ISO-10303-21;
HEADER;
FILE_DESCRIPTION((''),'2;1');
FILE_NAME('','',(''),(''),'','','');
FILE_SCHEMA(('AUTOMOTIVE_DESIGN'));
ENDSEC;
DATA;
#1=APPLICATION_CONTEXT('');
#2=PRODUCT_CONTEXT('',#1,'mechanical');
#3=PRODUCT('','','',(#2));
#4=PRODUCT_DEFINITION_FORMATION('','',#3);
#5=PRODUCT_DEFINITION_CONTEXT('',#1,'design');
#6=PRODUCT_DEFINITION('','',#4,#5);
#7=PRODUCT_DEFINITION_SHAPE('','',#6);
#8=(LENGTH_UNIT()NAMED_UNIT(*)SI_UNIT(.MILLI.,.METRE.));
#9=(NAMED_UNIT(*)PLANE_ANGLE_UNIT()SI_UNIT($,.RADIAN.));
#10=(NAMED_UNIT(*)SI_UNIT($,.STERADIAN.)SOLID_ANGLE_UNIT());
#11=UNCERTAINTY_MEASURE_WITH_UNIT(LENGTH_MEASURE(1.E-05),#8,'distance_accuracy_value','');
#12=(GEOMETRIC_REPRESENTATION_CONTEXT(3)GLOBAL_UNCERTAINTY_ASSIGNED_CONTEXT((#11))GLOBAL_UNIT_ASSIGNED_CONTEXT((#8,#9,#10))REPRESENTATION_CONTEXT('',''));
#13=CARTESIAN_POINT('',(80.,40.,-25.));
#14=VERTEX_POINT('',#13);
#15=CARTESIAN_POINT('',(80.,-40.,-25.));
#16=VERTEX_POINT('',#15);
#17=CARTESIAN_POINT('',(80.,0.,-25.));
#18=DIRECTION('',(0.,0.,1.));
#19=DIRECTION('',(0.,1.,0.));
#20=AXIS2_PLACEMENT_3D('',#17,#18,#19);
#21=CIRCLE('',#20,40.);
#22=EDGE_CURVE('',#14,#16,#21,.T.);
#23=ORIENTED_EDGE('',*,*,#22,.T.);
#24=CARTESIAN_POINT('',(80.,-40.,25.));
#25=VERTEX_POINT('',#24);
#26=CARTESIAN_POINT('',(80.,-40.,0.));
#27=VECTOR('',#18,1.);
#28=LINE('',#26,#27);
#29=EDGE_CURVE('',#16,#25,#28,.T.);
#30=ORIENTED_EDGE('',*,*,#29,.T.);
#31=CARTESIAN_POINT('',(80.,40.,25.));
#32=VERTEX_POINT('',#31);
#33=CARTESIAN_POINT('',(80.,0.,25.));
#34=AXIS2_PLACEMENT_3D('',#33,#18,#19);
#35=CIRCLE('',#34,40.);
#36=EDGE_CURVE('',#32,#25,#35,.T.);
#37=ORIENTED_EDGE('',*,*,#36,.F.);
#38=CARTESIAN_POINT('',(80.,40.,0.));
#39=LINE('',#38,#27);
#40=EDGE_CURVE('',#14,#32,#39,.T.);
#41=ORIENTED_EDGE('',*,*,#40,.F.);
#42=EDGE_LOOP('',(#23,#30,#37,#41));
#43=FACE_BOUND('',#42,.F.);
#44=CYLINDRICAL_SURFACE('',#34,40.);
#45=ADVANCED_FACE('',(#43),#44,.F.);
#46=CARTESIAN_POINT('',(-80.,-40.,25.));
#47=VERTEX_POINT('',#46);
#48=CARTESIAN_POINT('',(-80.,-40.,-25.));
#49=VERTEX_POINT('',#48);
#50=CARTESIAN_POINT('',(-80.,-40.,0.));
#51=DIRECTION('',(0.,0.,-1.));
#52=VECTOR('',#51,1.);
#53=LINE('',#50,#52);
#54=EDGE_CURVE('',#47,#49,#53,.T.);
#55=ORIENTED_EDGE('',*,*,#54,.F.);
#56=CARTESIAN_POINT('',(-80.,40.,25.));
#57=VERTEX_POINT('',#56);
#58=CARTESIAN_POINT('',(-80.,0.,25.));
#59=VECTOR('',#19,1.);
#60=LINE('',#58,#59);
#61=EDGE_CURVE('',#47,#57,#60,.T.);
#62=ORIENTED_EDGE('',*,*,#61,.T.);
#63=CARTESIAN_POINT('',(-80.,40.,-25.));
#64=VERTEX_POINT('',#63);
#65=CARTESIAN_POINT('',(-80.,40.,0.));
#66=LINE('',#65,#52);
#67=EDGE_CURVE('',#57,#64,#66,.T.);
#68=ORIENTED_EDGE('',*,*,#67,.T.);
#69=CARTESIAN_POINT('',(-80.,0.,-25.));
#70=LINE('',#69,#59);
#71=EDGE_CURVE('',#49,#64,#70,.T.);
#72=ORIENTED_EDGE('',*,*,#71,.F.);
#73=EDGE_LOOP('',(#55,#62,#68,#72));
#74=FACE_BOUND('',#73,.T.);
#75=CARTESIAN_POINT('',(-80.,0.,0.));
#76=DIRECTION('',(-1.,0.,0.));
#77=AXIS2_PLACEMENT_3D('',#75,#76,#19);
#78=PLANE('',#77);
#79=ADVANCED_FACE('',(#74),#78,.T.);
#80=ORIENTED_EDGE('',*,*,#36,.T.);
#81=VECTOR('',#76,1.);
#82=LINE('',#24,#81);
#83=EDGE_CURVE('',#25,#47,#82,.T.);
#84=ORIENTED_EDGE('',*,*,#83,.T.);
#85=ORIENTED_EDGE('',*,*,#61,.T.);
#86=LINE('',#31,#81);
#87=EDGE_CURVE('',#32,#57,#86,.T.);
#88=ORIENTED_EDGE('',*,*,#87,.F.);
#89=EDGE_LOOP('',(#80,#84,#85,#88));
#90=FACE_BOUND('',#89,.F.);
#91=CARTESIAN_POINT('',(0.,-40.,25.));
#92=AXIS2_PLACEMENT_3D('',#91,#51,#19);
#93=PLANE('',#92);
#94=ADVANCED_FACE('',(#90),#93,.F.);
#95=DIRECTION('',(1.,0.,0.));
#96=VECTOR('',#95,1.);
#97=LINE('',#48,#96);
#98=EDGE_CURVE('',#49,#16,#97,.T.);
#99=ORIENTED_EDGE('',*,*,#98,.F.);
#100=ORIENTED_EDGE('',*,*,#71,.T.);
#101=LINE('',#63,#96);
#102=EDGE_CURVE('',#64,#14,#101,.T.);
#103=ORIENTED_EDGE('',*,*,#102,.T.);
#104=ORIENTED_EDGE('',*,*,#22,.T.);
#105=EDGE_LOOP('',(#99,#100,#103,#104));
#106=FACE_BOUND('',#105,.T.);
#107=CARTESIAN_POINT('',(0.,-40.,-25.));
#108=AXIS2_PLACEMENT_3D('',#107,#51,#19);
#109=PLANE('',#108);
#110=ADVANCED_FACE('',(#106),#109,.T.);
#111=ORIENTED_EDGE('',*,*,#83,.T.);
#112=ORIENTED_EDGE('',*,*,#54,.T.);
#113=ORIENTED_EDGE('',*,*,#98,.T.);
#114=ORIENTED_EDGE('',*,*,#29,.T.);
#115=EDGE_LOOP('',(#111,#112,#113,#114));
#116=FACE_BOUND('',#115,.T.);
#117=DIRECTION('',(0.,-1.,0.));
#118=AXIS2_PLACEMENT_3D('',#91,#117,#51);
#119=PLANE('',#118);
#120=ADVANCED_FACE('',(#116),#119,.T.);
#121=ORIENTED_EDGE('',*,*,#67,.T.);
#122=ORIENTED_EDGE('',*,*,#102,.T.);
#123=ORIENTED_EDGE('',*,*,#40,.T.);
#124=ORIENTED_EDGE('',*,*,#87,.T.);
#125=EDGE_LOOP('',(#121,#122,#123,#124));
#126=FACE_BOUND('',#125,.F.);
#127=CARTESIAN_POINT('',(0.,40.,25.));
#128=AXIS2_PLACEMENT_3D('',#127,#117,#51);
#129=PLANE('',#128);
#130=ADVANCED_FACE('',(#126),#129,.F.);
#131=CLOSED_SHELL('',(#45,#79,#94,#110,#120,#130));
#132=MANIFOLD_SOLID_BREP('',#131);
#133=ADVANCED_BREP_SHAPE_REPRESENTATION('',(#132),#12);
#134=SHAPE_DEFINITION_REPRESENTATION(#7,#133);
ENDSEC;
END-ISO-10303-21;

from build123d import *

# Parameters (mm, degrees)
F0_W      = 80
F0_H      = 50
F1_DEPTH  = 80
F1_FACE_W = 80
F1_FACE_H = 50
F2_DEPTH  = 80
F4_DEPTH  = 50


with BuildPart() as f1:
    # F0 (on Right) → F1 (new body)
    with BuildSketch(Plane.YZ):
        Rectangle(F0_W, F0_H)
    extrude(amount=F1_DEPTH)

    # F1_face (on face) → F2 (join)
    with BuildSketch(Plane(origin=(0, 0, 0), x_dir=(0, 1, 0), z_dir=(-1, 0, 0))):
        Rectangle(F1_FACE_W, F1_FACE_H)
    extrude(amount=F2_DEPTH)

    # F3 (on face) → F4 (cut)
    with BuildSketch(Plane.XY.offset(25)):
        with BuildLine():
            Line((80, -40), (80, 40))
            ThreePointArc((80, 40), (40, 0), (80, -40))
        make_face()
    extrude(amount=-F4_DEPTH, mode=Mode.SUBTRACT)


solid = f1.part
